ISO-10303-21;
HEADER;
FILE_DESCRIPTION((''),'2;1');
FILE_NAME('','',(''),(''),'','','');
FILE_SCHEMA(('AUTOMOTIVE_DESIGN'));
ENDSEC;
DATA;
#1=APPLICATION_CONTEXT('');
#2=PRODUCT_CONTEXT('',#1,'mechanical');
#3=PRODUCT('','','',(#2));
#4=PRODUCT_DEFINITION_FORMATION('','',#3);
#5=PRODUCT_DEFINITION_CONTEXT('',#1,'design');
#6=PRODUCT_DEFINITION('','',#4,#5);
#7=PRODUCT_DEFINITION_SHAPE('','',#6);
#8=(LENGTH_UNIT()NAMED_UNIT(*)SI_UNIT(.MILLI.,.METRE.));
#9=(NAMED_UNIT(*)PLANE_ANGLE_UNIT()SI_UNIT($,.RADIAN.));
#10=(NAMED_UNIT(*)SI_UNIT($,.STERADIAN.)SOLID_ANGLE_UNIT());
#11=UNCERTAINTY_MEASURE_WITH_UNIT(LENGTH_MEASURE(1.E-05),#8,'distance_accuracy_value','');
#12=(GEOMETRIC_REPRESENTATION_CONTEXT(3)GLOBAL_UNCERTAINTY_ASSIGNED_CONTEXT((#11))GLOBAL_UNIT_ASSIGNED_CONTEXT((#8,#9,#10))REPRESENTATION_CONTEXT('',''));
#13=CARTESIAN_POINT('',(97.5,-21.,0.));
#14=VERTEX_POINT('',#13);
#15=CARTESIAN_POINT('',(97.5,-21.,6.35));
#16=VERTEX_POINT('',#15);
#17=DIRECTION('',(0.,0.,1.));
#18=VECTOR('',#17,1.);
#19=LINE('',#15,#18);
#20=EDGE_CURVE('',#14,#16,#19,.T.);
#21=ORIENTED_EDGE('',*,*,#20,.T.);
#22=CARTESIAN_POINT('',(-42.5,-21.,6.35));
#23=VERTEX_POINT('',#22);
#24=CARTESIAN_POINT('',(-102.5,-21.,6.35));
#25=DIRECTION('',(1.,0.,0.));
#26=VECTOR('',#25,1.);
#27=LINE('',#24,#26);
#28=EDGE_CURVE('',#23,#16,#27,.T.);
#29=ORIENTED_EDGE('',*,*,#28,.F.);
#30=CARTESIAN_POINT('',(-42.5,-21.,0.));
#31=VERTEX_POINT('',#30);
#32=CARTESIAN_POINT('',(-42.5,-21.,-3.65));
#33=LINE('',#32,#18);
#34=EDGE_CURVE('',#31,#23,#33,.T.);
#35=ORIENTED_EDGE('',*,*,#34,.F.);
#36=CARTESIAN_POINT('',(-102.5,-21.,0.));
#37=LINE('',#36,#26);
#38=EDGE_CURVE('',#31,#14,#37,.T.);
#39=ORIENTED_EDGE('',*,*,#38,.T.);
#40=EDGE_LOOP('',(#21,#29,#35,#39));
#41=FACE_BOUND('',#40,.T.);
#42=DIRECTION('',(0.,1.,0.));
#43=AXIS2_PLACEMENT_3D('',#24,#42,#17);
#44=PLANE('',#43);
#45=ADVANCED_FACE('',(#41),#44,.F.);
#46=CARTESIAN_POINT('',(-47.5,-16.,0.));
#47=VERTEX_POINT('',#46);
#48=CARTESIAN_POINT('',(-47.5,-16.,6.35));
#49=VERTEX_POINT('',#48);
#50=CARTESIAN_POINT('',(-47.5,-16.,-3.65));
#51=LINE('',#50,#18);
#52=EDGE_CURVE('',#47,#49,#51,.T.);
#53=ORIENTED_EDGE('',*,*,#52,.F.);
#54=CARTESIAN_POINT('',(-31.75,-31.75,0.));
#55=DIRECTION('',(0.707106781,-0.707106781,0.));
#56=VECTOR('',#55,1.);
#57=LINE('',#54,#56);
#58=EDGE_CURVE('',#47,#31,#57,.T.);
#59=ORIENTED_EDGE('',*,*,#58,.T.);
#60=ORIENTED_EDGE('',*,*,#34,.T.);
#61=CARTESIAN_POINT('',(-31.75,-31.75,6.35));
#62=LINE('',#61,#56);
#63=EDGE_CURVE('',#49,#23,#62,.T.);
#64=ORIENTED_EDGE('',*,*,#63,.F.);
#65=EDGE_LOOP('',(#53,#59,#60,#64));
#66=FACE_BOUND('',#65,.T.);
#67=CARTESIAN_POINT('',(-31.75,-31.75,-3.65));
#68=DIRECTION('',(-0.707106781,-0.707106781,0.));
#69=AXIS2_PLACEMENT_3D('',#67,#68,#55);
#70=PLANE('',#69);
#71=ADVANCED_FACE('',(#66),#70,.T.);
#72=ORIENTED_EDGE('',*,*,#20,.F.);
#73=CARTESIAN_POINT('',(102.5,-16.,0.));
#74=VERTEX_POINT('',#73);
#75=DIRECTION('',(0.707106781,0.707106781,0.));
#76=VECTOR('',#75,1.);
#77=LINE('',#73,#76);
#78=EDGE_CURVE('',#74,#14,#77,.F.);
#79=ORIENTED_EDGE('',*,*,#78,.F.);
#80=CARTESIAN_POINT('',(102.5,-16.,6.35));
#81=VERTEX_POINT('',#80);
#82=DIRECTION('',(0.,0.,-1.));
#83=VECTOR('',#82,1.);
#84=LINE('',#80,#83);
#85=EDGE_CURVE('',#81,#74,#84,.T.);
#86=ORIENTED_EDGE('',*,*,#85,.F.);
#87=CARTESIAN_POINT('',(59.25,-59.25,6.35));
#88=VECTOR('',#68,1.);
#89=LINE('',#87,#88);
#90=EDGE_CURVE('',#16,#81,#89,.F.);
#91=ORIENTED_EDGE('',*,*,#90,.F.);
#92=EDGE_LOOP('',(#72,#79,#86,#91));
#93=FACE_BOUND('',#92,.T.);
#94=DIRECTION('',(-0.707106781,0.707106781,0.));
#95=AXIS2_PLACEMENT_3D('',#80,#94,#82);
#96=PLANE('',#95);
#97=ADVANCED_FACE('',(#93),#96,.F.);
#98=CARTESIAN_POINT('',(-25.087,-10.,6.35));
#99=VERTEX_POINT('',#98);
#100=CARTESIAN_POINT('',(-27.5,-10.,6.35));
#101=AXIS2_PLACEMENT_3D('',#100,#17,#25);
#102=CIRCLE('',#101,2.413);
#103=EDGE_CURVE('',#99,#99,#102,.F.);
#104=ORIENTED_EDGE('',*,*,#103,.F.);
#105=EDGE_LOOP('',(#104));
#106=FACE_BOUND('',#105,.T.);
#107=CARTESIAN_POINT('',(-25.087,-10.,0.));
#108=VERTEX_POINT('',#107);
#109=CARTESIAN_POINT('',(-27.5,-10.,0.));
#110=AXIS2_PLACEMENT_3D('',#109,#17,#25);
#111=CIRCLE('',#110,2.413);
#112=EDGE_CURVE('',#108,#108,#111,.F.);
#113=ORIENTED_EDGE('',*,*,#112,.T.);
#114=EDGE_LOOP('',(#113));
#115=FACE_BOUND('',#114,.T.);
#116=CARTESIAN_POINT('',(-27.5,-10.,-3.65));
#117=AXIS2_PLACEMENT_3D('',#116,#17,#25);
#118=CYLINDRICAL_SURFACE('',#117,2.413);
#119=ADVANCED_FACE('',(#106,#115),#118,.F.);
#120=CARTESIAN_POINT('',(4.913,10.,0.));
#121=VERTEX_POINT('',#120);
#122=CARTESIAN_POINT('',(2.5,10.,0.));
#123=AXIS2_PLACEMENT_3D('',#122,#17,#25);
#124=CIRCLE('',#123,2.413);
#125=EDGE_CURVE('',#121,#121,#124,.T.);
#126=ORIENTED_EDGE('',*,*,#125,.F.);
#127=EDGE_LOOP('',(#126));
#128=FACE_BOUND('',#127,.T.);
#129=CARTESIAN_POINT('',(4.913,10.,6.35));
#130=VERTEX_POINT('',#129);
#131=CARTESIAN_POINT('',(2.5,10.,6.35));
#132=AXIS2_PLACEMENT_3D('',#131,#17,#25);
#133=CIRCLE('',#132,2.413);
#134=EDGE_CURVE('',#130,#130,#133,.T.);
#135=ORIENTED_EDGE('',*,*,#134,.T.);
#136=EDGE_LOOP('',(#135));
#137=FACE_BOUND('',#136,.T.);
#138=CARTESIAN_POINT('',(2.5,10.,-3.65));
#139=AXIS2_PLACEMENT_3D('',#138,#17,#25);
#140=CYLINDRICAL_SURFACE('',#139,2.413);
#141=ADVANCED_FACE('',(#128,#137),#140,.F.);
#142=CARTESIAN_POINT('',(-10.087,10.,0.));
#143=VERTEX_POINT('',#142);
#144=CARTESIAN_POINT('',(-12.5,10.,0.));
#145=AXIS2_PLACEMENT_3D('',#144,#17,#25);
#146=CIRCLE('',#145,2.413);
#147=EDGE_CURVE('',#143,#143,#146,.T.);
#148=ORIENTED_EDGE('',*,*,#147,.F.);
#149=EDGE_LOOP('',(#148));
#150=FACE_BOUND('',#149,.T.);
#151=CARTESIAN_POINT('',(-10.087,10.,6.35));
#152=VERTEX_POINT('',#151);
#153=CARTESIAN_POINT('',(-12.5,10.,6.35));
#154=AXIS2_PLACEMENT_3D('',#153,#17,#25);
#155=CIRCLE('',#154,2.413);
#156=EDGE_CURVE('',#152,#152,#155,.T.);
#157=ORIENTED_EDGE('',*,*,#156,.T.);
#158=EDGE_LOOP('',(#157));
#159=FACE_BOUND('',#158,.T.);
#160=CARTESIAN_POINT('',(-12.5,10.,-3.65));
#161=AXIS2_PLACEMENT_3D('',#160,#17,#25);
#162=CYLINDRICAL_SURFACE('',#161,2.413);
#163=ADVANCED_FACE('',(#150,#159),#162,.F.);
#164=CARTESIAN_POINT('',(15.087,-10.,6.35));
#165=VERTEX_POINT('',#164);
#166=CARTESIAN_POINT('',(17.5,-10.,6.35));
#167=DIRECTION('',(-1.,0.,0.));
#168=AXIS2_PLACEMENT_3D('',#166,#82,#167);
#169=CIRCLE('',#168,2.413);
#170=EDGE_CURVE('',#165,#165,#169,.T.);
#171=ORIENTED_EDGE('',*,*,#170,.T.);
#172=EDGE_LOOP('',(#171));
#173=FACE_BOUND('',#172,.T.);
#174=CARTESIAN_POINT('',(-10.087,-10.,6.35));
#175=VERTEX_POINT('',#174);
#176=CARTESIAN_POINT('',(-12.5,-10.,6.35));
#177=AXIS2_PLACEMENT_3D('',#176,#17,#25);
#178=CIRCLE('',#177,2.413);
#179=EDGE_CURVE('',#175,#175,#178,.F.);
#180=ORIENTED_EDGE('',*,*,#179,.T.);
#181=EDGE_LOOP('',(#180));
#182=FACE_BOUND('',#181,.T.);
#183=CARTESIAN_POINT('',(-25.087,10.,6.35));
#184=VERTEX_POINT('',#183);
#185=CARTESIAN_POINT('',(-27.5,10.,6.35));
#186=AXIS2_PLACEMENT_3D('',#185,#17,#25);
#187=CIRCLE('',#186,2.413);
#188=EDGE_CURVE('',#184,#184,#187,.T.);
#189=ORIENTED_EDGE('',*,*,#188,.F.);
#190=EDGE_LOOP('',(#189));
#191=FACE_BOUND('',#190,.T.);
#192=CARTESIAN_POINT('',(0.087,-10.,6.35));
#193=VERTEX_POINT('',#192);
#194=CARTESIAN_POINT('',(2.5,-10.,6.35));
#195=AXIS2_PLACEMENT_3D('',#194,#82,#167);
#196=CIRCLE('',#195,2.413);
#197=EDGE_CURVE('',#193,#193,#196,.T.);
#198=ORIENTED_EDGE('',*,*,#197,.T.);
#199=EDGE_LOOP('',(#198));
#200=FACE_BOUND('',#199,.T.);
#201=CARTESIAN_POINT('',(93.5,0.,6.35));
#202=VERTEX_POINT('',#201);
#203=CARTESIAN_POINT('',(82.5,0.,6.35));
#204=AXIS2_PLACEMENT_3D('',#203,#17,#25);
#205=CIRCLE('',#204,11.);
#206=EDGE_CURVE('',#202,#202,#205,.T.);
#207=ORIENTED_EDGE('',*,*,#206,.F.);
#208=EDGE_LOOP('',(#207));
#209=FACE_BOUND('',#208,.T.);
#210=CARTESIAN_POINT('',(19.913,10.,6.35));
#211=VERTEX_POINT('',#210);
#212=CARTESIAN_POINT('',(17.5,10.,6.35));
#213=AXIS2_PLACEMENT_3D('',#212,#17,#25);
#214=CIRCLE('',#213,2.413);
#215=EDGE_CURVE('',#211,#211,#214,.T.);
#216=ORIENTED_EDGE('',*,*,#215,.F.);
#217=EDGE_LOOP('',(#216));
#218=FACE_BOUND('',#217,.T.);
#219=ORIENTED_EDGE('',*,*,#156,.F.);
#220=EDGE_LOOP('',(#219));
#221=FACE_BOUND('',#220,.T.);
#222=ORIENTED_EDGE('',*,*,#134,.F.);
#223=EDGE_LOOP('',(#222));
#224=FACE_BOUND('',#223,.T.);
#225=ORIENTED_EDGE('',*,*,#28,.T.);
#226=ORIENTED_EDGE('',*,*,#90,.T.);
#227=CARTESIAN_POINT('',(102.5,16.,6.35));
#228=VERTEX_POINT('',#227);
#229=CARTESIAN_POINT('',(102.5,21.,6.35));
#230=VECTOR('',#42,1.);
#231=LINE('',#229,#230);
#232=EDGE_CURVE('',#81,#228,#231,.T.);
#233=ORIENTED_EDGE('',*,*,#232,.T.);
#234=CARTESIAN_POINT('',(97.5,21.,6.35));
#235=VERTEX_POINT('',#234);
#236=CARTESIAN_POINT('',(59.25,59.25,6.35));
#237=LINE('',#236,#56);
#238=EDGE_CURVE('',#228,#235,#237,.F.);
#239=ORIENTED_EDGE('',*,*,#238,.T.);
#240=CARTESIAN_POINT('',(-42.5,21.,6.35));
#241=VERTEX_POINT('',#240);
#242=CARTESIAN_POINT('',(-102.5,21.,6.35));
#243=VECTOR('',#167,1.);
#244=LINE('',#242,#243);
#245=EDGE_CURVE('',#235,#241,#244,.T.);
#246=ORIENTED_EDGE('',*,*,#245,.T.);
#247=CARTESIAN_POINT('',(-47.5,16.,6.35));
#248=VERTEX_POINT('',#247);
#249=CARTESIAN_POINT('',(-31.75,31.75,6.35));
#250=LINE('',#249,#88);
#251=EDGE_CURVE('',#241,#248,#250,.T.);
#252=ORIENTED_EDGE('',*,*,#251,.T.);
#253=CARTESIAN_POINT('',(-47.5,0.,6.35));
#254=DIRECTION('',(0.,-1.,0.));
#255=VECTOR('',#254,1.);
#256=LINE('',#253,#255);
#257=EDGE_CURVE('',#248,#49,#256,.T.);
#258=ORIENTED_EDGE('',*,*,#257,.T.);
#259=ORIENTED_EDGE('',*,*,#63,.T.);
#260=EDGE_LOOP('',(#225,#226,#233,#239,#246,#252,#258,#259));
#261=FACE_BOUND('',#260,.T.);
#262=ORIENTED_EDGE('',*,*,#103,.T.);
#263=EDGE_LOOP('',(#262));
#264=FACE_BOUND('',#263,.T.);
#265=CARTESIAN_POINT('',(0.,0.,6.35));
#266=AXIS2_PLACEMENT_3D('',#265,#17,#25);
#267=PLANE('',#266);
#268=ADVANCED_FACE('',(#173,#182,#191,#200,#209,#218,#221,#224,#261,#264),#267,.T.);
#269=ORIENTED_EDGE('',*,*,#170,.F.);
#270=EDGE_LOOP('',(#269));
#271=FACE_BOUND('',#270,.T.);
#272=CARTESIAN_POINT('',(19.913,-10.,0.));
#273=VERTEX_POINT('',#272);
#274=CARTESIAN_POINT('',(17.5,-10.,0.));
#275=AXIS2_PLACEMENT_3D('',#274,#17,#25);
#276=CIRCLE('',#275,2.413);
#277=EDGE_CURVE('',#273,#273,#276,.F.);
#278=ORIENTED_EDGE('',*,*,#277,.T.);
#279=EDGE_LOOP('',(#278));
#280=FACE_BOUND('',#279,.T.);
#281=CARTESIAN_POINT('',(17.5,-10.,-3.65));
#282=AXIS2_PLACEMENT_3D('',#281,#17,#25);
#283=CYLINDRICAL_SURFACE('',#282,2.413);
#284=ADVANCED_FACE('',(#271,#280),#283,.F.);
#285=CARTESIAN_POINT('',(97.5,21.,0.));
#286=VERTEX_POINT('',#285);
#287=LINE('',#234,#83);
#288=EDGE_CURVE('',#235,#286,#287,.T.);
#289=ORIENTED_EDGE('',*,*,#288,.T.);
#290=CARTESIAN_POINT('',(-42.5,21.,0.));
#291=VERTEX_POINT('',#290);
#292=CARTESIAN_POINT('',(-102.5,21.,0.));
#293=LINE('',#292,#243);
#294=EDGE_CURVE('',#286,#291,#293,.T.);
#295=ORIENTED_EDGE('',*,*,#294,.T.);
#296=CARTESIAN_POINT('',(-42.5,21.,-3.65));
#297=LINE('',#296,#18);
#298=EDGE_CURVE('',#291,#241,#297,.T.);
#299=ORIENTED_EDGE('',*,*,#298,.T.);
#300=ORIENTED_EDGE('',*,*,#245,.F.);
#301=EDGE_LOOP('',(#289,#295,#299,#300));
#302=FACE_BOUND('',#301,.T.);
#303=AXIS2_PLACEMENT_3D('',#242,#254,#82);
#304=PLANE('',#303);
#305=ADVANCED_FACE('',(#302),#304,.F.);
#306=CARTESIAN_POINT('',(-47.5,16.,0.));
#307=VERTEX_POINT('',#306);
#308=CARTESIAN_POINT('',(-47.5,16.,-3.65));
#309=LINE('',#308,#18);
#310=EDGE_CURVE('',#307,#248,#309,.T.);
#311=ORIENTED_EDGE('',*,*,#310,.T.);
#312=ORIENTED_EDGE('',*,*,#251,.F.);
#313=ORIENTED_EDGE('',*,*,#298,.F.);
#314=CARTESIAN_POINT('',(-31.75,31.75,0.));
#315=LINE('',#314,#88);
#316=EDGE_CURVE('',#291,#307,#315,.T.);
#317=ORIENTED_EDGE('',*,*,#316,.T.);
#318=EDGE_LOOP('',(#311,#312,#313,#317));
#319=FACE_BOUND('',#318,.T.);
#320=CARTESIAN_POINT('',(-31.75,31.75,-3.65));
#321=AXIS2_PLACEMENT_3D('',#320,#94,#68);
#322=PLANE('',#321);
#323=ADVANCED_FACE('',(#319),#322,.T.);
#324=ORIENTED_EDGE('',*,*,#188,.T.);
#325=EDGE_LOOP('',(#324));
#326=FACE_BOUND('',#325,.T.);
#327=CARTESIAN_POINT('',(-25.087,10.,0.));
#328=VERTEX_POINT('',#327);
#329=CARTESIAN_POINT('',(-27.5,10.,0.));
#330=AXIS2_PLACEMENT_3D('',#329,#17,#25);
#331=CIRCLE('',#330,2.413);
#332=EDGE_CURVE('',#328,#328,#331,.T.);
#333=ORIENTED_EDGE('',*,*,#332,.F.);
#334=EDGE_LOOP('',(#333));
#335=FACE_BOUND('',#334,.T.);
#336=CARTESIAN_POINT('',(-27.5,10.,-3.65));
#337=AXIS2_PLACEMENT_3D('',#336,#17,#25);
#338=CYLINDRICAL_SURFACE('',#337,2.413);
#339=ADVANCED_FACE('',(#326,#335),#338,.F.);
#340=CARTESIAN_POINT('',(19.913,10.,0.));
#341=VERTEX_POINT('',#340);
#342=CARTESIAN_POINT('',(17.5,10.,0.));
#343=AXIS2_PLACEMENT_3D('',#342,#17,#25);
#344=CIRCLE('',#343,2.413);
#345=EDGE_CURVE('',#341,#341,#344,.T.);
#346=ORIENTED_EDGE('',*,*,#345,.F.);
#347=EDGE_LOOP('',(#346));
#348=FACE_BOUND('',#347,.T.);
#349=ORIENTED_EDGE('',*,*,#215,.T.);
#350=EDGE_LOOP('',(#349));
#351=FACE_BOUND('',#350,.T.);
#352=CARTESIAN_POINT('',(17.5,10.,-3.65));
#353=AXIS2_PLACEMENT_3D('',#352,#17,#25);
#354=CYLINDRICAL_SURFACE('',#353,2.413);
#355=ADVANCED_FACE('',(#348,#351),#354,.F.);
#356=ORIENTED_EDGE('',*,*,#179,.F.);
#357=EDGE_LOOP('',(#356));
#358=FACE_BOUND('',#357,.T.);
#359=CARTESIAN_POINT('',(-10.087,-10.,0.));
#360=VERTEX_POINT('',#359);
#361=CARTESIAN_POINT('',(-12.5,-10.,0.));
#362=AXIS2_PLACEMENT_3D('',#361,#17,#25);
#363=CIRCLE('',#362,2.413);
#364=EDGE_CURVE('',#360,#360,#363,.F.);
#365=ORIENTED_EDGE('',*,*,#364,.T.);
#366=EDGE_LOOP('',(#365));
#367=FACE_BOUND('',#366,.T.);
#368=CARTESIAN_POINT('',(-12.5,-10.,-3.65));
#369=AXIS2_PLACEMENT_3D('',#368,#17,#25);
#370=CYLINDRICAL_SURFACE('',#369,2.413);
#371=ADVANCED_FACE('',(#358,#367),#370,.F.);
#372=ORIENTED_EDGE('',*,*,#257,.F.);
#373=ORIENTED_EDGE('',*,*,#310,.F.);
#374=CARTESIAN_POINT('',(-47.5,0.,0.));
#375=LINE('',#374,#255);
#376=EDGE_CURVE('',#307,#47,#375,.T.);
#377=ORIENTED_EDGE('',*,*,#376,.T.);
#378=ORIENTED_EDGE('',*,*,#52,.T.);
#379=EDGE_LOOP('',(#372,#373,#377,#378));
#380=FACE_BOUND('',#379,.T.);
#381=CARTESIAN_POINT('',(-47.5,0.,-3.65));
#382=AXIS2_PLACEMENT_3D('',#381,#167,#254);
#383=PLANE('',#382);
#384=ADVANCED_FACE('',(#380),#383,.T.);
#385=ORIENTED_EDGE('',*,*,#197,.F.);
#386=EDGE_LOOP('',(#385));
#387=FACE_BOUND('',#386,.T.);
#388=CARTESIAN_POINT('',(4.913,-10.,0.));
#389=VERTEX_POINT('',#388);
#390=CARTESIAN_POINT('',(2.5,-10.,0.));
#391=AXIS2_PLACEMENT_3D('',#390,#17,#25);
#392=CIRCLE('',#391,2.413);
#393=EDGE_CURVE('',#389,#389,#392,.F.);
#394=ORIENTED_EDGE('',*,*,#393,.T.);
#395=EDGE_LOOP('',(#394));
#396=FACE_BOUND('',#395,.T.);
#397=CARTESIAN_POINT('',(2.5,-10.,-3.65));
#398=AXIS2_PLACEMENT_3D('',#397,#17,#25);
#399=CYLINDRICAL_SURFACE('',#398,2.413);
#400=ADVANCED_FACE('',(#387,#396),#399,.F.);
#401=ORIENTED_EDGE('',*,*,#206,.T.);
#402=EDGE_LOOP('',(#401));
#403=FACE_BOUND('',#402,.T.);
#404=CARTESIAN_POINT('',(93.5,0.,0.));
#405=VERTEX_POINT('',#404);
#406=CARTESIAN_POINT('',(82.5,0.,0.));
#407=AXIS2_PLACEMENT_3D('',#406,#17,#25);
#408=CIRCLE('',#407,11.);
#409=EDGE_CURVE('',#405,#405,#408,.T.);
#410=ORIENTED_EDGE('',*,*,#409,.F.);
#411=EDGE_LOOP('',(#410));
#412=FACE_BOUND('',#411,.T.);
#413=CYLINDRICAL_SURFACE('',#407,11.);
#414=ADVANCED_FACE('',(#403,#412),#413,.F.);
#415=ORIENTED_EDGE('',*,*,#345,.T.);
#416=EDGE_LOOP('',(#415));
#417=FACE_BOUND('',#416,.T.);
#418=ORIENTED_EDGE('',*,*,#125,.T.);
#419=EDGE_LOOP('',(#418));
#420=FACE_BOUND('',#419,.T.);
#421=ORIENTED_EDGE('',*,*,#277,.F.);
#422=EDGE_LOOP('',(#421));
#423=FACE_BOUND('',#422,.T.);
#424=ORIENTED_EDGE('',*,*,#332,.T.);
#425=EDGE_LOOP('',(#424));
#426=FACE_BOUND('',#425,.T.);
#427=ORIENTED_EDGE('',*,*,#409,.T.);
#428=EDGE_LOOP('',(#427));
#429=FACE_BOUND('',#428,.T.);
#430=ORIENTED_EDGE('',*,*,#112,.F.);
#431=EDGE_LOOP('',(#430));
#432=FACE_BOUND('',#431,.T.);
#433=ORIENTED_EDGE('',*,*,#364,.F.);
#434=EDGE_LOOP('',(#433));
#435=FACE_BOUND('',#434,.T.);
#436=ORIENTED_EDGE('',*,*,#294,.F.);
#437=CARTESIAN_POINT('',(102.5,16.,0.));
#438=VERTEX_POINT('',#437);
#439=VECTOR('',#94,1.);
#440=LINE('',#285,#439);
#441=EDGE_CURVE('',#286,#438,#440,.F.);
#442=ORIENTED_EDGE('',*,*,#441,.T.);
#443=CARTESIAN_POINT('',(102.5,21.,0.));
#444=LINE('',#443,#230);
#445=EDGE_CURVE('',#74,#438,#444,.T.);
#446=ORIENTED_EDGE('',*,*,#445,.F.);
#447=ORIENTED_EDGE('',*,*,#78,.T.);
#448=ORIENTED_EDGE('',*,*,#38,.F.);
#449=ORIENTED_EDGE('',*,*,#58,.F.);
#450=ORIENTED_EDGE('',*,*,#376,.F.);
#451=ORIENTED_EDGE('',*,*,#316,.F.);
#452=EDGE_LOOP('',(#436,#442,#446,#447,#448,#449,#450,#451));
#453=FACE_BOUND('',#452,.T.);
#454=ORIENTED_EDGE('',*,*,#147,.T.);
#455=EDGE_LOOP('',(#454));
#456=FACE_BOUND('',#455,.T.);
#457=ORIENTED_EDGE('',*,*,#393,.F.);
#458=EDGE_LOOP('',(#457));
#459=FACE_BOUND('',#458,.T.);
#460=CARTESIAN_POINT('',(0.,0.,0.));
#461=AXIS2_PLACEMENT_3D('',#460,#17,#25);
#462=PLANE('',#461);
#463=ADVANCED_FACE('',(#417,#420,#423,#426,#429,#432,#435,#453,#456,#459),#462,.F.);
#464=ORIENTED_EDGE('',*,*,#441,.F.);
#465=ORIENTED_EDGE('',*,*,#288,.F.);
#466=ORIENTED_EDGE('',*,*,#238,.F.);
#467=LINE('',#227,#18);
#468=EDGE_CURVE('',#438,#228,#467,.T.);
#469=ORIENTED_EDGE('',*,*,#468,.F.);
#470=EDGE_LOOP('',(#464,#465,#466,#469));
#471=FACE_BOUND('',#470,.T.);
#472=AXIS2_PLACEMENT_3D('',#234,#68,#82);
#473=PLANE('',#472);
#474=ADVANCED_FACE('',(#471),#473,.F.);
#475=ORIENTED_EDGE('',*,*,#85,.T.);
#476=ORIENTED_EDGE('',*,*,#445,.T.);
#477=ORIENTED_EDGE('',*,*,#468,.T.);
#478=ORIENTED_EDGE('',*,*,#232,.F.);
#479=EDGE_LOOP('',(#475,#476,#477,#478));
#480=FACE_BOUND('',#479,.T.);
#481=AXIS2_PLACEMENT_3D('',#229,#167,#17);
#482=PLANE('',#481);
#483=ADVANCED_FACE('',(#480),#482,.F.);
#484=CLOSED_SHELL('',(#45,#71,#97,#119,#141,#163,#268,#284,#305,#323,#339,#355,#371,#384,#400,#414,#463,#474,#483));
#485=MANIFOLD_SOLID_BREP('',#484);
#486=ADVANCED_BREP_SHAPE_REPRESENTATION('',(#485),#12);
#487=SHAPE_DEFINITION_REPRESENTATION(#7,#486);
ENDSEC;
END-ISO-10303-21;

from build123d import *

# Parameters (mm, degrees)
SKETCH1_W           = 205
SKETCH1_H           = 42
BOSS_EXTRUDE1_DEPTH = 6.35
SKETCH4_R           = 11
CUT_EXTRUDE3_DEPTH  = 7.35
CHAMFER1_SIZE       = 5
SKETCH9_R           = 11
CUT_EXTRUDE8_DEPTH  = 7.35
SKETCH14_R          = 11
SKETCH14_R_2        = 2.413
CUT_EXTRUDE10_DEPTH = 10


with BuildPart() as part:
    # Sketch1 → Boss-Extrude1 (new body)
    with BuildSketch(Plane.XY):
        Rectangle(SKETCH1_W, SKETCH1_H)
    extrude(amount=BOSS_EXTRUDE1_DEPTH)

    # Sketch4 → Cut-Extrude3 (cut, through all)
    with BuildSketch(Plane.XY.offset(6.35)):
        with Locations((-78.5, 0)):
            Circle(SKETCH4_R)
    extrude(amount=-CUT_EXTRUDE3_DEPTH, mode=Mode.SUBTRACT)

    # Chamfer1
    chamfer1_edges = [part.edges().sort_by_distance(p)[0] for p in [
        (102.5, -21, 3.175),
        (-102.5, -21, 3.175),
        (-102.5, 21, 3.175),
        (102.5, 21, 3.175),
    ]]
    chamfer(chamfer1_edges, length=CHAMFER1_SIZE)

    # Sketch9 → Cut-Extrude8 (cut, through all)
    with BuildSketch(Plane.XY.offset(6.35)):
        with Locations((82.5, 0)):
            Circle(SKETCH9_R)
    extrude(amount=-CUT_EXTRUDE8_DEPTH, mode=Mode.SUBTRACT)

    # Sketch14 → Cut-Extrude10 (cut)
    with BuildSketch(Plane.XY.offset(6.35)):
        Polygon((-47.5, -16), (-47.5, 16), (-42.5, 21), (-97.5, 21), (-102.5, 16), (-102.5, -16), (-97.5, -21), (-42.5, -21), align=None)
        with Locations((-78.5, 0)):
            Circle(SKETCH14_R, mode=Mode.SUBTRACT)
        with Locations((-27.5, 10)):
            Circle(SKETCH14_R_2)
        with Locations((-27.5, -10)):
            Circle(SKETCH14_R_2)
        with Locations((-12.5, -10)):
            Circle(SKETCH14_R_2)
        with Locations((-12.5, 10)):
            Circle(SKETCH14_R_2)
        with Locations((17.5, 10)):
            Circle(SKETCH14_R_2)
        with Locations((2.5, -10)):
            Circle(SKETCH14_R_2)
        with Locations((17.5, -10)):
            Circle(SKETCH14_R_2)
        with Locations((2.5, 10)):
            Circle(SKETCH14_R_2)
    extrude(amount=-CUT_EXTRUDE10_DEPTH, mode=Mode.SUBTRACT)


solid = part.part
